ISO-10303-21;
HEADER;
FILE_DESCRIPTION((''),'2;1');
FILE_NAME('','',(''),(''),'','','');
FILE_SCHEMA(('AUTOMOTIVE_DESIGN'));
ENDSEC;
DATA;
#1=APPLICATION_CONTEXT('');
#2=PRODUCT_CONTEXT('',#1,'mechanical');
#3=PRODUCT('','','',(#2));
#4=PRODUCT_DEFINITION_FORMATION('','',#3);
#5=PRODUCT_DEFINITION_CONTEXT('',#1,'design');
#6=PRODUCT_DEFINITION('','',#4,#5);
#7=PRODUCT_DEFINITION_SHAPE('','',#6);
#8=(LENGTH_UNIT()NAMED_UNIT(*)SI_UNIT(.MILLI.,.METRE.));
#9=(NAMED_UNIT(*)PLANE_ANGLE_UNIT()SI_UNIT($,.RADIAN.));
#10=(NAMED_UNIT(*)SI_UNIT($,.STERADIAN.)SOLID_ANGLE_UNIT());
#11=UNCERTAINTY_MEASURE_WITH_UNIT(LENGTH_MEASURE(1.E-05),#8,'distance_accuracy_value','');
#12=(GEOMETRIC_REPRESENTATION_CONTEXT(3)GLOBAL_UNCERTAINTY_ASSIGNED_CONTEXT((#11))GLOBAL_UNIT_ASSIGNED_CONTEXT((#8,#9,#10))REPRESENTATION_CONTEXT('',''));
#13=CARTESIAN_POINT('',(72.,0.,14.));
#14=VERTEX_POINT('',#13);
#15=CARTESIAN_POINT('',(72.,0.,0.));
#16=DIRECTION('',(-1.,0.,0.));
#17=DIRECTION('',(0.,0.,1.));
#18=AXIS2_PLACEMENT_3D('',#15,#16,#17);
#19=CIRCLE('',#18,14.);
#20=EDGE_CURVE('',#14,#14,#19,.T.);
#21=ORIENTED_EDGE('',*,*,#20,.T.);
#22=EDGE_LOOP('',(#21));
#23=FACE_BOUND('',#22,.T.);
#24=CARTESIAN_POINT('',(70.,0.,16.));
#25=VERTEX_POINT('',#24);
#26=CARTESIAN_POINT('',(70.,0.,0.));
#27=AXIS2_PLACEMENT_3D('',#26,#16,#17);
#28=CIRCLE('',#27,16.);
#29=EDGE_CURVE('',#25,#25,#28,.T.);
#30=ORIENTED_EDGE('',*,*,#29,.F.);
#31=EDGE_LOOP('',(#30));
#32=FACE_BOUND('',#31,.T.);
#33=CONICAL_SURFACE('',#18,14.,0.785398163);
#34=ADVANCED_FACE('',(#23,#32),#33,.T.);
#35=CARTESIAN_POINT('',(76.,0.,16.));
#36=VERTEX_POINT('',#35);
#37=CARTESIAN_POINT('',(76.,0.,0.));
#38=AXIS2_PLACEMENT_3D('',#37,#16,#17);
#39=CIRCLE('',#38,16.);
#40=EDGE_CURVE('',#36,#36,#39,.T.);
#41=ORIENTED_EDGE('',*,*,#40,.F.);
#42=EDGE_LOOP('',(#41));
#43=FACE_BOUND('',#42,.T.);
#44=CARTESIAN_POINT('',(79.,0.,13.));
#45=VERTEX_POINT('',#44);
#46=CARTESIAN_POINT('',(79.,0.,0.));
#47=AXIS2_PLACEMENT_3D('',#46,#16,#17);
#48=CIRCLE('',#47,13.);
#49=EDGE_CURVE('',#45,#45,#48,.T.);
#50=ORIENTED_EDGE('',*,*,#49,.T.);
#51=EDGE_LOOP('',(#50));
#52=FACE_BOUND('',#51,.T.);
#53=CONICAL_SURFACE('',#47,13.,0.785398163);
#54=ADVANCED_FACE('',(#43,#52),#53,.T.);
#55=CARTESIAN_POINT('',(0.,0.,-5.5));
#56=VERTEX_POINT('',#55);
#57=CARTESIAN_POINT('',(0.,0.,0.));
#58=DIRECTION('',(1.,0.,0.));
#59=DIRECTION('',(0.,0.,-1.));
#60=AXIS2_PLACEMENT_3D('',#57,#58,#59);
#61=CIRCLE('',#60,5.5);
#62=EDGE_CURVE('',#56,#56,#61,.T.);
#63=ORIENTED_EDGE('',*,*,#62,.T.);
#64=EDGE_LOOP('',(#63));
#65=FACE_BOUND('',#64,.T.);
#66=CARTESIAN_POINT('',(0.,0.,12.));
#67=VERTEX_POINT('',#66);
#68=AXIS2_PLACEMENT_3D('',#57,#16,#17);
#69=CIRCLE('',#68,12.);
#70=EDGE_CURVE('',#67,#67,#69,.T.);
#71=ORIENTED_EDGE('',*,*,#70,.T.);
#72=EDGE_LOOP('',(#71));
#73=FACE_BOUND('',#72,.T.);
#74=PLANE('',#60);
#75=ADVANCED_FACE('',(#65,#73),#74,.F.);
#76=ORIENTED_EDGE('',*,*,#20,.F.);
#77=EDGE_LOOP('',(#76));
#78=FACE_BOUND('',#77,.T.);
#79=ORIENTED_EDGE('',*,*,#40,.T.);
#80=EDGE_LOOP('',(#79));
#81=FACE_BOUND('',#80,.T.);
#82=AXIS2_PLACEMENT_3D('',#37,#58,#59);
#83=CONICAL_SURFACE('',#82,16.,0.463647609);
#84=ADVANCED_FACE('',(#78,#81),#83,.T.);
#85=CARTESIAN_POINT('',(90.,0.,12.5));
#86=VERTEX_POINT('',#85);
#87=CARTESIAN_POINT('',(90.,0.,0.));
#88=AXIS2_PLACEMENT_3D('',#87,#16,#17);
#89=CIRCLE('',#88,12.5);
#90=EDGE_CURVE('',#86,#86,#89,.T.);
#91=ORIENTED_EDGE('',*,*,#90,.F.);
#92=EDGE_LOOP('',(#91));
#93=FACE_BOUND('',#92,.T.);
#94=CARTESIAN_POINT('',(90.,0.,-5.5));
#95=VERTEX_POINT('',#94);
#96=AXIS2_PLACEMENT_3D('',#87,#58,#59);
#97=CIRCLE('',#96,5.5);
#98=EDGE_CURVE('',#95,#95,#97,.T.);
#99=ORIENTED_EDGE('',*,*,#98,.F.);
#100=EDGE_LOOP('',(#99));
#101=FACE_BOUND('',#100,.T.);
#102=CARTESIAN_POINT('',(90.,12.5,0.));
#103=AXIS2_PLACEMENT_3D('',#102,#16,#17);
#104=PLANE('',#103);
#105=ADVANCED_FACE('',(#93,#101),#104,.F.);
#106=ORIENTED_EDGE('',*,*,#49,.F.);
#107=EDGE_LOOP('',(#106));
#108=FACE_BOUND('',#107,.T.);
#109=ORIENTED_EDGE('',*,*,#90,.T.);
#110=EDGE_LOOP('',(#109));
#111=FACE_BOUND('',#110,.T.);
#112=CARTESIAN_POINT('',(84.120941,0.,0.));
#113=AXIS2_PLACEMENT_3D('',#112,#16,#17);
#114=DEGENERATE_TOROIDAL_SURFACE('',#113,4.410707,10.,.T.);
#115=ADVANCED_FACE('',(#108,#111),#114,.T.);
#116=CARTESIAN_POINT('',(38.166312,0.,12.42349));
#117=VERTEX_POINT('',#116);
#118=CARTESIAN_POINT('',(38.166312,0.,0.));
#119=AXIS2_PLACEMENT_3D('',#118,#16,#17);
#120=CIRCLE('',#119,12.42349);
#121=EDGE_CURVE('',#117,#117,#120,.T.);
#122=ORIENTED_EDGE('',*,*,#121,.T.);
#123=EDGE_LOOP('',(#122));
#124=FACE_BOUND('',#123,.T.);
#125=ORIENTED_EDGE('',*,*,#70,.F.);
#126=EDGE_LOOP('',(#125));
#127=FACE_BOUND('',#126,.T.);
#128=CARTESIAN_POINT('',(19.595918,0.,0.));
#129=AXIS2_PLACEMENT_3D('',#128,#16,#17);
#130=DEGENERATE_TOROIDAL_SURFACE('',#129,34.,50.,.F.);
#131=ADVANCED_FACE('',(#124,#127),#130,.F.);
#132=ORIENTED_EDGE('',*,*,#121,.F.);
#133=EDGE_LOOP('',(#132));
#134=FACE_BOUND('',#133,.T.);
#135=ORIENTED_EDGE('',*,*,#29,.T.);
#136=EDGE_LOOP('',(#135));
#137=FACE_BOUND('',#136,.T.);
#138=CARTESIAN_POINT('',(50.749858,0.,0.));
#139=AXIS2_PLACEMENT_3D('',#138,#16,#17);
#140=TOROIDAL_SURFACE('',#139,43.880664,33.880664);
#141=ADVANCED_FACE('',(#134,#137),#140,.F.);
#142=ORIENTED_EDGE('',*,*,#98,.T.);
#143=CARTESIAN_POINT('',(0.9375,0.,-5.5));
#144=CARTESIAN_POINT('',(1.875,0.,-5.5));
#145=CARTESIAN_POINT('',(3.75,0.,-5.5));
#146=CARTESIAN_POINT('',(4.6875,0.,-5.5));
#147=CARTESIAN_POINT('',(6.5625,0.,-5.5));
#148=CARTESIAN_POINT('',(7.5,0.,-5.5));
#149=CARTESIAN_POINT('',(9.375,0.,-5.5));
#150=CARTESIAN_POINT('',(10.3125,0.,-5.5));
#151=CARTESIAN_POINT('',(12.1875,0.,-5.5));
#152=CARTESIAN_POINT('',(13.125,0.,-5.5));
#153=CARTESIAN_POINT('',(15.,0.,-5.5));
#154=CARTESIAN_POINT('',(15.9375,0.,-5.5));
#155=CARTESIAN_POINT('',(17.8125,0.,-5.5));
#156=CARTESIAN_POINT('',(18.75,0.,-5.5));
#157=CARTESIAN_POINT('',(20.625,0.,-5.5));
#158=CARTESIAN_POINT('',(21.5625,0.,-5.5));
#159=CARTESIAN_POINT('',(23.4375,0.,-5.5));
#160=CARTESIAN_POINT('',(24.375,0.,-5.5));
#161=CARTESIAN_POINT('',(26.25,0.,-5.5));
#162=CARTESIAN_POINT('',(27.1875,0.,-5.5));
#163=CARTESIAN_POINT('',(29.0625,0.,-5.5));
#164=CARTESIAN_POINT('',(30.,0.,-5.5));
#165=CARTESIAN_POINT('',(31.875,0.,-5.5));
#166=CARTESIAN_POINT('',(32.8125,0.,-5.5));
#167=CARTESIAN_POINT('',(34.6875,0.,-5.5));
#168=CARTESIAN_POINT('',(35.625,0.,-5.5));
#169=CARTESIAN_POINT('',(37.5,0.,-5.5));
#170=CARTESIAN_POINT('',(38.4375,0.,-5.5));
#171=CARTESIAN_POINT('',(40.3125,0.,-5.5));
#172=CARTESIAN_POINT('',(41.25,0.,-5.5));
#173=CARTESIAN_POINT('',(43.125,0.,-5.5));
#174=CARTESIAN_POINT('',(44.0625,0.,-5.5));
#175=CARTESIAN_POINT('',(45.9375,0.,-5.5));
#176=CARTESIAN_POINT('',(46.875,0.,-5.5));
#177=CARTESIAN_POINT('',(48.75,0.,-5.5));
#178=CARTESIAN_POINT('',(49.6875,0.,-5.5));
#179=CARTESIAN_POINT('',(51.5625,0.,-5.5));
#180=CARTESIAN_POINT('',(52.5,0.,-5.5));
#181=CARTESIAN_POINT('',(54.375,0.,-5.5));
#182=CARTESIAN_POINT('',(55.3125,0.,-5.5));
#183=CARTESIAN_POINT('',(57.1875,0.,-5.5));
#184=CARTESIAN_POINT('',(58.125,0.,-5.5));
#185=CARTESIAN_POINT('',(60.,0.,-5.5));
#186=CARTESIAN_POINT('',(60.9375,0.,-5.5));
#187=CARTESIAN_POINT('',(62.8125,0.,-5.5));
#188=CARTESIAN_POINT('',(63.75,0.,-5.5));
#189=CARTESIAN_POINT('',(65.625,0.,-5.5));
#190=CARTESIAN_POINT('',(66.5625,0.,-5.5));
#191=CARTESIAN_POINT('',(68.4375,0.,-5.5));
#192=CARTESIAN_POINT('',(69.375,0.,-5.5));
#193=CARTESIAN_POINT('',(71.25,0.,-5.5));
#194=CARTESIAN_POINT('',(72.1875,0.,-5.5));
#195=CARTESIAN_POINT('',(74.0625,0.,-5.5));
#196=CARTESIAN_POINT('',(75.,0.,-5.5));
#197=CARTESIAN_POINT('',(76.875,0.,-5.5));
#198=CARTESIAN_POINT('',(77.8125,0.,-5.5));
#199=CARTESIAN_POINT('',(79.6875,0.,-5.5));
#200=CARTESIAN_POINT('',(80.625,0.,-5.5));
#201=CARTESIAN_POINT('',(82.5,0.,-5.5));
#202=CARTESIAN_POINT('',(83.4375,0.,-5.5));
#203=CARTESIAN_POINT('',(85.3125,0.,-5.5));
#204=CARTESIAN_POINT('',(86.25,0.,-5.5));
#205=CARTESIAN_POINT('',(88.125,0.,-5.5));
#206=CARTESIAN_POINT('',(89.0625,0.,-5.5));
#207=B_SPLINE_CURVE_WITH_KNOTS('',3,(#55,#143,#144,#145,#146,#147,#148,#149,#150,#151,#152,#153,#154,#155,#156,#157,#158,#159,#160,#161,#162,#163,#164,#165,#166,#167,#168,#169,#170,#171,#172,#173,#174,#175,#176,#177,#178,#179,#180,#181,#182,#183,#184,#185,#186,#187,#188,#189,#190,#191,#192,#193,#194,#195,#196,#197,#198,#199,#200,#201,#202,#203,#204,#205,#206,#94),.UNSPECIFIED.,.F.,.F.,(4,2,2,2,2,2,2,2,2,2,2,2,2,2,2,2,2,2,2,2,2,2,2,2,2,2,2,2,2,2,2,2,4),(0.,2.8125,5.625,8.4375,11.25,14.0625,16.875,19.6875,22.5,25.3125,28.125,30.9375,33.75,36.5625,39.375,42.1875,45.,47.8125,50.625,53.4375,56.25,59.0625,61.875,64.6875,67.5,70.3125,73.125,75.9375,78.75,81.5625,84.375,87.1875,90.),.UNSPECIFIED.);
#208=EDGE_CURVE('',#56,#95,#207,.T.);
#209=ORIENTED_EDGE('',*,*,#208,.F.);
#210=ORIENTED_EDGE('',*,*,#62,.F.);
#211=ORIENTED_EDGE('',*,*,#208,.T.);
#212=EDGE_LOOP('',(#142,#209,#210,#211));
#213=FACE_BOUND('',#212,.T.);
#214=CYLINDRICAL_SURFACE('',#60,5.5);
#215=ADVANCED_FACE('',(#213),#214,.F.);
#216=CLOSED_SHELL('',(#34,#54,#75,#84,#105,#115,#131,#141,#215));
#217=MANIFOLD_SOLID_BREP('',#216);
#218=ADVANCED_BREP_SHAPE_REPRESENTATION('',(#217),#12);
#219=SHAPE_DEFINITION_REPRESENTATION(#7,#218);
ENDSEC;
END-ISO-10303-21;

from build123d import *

# Parameters (mm, degrees)
SKETCH_2_R          = 5.5
CUT_EXTRUDE_1_DEPTH = 93.800862196


with BuildPart() as part:
    # 草图1 → 旋转1 (revolve)
    with BuildSketch(Plane.XY, mode=Mode.PRIVATE) as revolve_1_sk:
        with BuildLine():
            Line((0, 0), (0, 12))
            ThreePointArc((0, 12), (19.041155999, 15.996922297), (38.166312057, 12.423490416))
            ThreePointArc((38.166312057, 12.423490416), (54.532546306, 10.211825865), (70, 16))
            Line((70, 16), (72, 14))
            Line((72, 14), (76, 16))
            Line((76, 16), (79, 13))
            ThreePointArc((79, 13), (84.575017818, 14.400392001), (90, 12.5))
            Line((90, 12.5), (90, 0))
            Line((90, 0), (0, 0))
        make_face()
    revolve(revolve_1_sk.sketch.rotate(Axis((0, 0, 0), (1, 0, 0)), 90), axis=Axis((0, 0, 0), (1, 0, 0)))

    # 草图2 → 切除-拉伸1 (cut, through all)
    with BuildSketch(Plane(origin=(90, 0, 0), x_dir=(0, 0, -1), z_dir=(1, 0, 0))):
        Circle(SKETCH_2_R)
    extrude(amount=-CUT_EXTRUDE_1_DEPTH, mode=Mode.SUBTRACT)


solid = part.part
